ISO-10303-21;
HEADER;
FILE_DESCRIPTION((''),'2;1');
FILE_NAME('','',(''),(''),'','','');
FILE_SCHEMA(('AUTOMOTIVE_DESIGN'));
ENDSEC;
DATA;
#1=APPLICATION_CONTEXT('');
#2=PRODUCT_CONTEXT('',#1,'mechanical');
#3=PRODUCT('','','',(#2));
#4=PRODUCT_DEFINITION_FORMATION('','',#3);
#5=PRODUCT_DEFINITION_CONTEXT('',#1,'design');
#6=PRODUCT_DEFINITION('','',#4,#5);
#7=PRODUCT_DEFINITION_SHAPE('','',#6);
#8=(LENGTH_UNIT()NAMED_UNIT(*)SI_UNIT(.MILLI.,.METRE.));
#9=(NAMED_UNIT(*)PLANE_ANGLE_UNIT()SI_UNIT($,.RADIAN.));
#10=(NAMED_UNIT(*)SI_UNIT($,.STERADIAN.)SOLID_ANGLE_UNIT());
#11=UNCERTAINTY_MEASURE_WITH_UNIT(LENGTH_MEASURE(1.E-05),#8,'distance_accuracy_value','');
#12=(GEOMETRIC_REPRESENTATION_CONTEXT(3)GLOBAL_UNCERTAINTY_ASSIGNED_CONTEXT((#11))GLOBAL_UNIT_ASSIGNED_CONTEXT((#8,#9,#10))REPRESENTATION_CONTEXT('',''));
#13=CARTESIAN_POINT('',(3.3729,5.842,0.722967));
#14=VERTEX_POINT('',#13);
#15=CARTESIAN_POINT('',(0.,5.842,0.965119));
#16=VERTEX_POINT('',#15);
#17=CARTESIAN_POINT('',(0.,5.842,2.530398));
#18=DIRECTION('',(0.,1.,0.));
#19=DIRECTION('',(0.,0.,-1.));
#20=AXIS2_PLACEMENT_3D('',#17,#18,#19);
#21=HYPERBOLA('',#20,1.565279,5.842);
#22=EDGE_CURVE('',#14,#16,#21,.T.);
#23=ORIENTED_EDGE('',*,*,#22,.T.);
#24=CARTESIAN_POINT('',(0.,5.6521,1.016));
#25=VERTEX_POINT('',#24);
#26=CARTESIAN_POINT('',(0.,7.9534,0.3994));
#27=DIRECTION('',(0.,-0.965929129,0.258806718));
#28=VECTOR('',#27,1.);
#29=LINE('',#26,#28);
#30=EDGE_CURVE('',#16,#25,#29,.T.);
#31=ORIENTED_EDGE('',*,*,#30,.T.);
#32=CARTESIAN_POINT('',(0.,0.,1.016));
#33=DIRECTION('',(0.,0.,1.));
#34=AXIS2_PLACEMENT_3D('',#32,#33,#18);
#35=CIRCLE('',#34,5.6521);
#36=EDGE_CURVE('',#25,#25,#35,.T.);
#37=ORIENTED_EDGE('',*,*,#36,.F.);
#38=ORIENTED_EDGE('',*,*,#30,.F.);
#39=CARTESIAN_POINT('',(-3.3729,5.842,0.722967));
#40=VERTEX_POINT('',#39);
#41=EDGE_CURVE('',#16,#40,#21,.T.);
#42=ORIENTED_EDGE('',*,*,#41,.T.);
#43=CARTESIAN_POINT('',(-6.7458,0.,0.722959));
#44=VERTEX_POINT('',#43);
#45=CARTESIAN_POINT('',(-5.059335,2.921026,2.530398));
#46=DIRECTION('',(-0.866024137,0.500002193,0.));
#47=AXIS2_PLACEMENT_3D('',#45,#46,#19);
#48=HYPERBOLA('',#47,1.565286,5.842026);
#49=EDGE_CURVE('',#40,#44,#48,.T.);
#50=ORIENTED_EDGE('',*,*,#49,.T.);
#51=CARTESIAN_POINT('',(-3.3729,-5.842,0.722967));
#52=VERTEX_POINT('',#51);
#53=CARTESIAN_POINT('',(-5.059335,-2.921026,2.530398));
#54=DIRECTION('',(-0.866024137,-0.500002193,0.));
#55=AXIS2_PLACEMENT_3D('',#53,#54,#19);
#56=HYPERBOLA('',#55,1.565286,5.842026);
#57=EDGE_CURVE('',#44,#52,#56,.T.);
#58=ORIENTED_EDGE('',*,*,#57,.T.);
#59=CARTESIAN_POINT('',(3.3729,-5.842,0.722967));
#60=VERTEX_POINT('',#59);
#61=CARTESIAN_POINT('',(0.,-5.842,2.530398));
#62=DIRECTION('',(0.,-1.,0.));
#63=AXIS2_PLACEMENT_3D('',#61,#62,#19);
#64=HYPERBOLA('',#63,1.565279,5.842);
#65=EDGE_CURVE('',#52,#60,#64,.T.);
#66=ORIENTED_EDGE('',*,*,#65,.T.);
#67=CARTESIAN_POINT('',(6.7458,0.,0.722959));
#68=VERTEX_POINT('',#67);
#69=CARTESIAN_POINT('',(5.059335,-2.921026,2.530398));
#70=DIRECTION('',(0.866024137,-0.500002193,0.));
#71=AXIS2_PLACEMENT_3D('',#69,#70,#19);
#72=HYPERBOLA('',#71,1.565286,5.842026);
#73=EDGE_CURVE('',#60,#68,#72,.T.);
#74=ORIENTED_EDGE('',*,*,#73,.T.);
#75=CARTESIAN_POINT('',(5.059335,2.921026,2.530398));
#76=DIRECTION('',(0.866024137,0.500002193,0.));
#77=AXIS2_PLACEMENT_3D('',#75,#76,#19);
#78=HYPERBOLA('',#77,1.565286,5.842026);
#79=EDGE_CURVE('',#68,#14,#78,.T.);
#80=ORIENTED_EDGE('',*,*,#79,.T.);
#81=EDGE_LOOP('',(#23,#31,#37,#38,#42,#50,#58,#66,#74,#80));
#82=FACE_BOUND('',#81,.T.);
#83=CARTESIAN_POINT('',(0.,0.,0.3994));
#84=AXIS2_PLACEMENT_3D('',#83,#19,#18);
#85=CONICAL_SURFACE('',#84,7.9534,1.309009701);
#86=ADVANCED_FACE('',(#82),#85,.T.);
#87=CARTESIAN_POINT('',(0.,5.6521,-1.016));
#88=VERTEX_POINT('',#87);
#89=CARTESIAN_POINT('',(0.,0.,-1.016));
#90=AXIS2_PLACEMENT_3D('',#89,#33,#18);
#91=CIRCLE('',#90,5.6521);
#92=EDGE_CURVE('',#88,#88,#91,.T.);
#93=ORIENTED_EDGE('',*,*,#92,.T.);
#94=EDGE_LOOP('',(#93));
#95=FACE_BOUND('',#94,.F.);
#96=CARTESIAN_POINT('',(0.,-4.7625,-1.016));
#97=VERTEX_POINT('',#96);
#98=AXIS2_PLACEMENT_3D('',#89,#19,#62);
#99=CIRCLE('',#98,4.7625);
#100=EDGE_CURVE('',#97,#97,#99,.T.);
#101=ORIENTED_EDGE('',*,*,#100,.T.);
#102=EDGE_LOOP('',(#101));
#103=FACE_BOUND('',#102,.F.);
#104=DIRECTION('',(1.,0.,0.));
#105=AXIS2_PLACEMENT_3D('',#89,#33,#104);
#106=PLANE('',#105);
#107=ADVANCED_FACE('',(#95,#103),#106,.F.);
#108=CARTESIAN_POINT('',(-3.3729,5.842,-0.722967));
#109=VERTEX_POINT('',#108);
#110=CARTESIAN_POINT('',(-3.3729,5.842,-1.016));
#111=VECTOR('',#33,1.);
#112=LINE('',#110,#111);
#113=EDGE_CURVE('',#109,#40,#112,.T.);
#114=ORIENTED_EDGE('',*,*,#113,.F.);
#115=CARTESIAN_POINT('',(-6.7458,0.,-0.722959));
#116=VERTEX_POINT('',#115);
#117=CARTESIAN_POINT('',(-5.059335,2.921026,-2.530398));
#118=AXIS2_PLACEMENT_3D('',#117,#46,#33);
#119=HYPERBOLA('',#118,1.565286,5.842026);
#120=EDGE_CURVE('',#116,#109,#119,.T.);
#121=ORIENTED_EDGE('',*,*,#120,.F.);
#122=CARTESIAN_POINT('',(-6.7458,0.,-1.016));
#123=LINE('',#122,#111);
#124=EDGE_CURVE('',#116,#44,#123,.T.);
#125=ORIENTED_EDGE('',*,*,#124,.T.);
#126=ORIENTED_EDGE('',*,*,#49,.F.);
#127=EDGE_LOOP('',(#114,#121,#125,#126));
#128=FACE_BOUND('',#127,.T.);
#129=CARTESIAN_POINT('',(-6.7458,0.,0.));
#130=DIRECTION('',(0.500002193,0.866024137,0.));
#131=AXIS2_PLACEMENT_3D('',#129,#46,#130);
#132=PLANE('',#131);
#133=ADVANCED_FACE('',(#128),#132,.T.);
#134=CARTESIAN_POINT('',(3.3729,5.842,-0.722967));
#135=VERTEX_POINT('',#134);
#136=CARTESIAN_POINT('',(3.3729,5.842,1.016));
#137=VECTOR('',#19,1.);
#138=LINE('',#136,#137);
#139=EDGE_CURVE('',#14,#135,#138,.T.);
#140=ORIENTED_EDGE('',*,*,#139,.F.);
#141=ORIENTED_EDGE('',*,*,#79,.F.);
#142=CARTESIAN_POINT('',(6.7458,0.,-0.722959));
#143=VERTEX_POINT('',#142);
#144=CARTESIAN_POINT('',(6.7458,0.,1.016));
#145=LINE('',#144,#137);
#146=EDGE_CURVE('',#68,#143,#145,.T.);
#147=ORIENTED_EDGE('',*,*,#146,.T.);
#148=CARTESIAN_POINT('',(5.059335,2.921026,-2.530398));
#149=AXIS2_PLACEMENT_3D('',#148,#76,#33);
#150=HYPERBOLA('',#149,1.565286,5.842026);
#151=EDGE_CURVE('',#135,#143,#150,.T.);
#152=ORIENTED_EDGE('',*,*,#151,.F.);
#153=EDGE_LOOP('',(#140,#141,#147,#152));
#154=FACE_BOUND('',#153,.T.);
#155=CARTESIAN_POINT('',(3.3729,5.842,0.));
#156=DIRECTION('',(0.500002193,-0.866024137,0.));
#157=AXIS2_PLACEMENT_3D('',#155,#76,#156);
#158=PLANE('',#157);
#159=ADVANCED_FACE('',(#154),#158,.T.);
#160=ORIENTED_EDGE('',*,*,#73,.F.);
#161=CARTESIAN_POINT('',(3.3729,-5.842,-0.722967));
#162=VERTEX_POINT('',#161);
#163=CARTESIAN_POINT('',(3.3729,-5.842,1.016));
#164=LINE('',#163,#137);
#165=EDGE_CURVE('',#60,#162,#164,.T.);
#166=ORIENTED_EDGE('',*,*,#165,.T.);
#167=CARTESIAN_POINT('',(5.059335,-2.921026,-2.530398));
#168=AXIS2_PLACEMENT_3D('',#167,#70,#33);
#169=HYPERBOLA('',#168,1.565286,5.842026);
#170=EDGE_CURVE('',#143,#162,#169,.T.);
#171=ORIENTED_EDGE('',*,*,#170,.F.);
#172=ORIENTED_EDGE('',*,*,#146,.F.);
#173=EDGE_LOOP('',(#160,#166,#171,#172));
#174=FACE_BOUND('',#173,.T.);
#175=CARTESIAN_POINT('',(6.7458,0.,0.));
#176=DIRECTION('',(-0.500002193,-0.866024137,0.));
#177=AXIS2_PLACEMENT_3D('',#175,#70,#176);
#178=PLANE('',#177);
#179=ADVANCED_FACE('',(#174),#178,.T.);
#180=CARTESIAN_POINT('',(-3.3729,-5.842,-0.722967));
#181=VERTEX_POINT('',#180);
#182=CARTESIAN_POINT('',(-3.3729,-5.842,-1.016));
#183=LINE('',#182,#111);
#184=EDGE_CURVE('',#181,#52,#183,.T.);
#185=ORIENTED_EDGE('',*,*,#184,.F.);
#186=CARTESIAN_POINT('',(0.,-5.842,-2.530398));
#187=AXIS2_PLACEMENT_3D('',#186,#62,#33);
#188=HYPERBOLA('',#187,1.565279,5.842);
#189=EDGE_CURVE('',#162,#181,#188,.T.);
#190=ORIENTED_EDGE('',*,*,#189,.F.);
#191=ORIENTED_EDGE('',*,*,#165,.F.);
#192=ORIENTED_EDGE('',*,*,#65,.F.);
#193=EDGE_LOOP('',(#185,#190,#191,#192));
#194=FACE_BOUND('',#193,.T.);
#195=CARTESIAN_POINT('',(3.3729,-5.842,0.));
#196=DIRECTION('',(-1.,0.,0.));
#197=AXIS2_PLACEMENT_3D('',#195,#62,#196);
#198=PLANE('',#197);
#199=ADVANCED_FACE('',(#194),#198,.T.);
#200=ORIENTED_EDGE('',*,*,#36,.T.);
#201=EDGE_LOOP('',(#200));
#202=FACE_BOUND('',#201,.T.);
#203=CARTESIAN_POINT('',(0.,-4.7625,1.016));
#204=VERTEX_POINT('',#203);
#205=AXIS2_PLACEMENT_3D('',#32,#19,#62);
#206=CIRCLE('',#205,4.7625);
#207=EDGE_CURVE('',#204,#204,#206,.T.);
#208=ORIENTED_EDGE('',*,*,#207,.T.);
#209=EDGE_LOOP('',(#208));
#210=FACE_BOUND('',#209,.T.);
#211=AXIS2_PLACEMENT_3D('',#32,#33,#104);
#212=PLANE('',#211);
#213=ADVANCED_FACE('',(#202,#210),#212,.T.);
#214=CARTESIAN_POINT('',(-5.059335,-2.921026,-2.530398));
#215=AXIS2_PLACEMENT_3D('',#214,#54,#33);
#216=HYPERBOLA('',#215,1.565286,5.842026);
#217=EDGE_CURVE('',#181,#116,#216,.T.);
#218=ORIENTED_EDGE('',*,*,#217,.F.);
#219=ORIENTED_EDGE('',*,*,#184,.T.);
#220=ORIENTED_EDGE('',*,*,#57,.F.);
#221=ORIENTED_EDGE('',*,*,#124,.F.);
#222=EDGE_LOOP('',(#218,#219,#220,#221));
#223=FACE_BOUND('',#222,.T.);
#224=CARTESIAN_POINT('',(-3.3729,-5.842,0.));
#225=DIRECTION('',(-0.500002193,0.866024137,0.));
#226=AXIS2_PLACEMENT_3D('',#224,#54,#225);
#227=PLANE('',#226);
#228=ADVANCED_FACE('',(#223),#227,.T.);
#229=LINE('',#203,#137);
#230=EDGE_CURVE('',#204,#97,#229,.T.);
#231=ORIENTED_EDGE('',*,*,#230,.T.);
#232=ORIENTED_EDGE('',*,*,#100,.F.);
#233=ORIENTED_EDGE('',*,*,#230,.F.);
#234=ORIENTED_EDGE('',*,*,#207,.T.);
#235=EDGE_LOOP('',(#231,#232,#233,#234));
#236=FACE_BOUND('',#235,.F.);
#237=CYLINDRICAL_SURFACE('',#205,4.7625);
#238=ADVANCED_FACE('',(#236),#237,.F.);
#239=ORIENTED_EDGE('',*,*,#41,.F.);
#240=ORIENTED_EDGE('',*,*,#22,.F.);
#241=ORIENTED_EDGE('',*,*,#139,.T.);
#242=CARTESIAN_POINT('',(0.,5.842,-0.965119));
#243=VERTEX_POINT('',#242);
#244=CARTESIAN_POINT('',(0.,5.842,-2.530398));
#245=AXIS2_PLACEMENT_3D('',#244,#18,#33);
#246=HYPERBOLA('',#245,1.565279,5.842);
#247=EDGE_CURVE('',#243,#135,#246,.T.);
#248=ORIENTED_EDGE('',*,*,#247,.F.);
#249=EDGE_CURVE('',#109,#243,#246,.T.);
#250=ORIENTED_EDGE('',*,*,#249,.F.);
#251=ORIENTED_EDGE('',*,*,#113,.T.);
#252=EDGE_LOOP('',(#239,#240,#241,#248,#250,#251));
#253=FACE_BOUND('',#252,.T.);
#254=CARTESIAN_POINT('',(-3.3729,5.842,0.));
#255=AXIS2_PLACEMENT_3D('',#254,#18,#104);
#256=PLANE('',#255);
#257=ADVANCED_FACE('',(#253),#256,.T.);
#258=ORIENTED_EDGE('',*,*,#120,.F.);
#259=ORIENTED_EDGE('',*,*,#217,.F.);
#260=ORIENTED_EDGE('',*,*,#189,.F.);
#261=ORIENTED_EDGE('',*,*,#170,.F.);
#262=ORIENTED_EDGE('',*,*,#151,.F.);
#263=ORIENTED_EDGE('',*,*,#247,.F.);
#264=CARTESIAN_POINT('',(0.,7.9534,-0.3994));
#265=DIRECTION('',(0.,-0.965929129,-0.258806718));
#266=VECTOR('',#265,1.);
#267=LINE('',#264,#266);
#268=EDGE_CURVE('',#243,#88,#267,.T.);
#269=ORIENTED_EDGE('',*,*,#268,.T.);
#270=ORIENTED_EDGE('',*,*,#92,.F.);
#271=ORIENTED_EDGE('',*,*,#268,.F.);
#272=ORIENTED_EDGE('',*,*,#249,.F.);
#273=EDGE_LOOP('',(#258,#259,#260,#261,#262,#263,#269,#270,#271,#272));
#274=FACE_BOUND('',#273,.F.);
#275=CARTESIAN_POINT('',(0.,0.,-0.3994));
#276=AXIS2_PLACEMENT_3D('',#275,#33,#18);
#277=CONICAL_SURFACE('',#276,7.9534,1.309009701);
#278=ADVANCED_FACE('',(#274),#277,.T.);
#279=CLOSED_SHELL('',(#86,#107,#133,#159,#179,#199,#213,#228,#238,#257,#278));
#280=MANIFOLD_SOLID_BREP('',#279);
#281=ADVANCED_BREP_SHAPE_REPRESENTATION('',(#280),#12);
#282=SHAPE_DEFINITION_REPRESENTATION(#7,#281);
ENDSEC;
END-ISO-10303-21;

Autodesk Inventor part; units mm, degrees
ref_plane "YZ Plane" through (0, 0, 0) normal (1, 0, 0) x (0, 1, 0)
ref_plane "XZ Plane" through (0, 0, 0) normal (0, 1, 0) x (-1, 0, 0)
ref_plane "XY Plane" through (0, 0, 0) normal (0, 0, 1) x (1, 0, 0)
sketch "Sketch1" plane through (0, 0, 0) normal (0, 0, 1) x (1, 0, 0)
  line L0 (-3.3729, 5.842) -> (3.3729, 5.842)
  line L1 (3.3729, 5.842) -> (6.7458, 0)
  line L2 (6.7458, 0) -> (3.3729, -5.842)
  line L3 (3.3729, -5.842) -> (-3.3729, -5.842)
  line L4 (-3.3729, -5.842) -> (-6.7458, 0)
  line L5 (-6.7458, 0) -> (-3.3729, 5.842)
  point P0 (0, 0)
  point P1 (0, 0)
  dimension "d0" = 11.684
extrude "Extrusion1" add sketch "Sketch1" along normal mid plane 2.032
sketch "Sketch2" plane through (0, 0, 0) normal (1, 0, 0) x (0, 1, 0)
  line L0 (5.6521, 1.016) -> (7.9534, 1.016)
  line L1 (7.9534, 1.016) -> (7.9534, 0.3994)
  line L2 (7.9534, 0.3994) -> (5.6521, 1.016)
  line L3 (0, 1.016) -> (5.842, 1.016) projected
  line L4 (0, -0.4064) -> (0, 2.4384) projected
  point P0 (0, 0)
  dimension "d3" = 15
revolve "Revolution1" cut sketch "Sketch2" angle 360 about axis through (0, 0, -10) along (0, 0, 1)
mirror "Mirror1" about plane through (0, 0, 0) normal (0, 0, 1) of "Revolution1"
hole "Hole1" at (0, 0, 1.016) direction (0, 0, -1) diameter 9.525 end through all
properties part number "Nut" material "Stainless Steel"
